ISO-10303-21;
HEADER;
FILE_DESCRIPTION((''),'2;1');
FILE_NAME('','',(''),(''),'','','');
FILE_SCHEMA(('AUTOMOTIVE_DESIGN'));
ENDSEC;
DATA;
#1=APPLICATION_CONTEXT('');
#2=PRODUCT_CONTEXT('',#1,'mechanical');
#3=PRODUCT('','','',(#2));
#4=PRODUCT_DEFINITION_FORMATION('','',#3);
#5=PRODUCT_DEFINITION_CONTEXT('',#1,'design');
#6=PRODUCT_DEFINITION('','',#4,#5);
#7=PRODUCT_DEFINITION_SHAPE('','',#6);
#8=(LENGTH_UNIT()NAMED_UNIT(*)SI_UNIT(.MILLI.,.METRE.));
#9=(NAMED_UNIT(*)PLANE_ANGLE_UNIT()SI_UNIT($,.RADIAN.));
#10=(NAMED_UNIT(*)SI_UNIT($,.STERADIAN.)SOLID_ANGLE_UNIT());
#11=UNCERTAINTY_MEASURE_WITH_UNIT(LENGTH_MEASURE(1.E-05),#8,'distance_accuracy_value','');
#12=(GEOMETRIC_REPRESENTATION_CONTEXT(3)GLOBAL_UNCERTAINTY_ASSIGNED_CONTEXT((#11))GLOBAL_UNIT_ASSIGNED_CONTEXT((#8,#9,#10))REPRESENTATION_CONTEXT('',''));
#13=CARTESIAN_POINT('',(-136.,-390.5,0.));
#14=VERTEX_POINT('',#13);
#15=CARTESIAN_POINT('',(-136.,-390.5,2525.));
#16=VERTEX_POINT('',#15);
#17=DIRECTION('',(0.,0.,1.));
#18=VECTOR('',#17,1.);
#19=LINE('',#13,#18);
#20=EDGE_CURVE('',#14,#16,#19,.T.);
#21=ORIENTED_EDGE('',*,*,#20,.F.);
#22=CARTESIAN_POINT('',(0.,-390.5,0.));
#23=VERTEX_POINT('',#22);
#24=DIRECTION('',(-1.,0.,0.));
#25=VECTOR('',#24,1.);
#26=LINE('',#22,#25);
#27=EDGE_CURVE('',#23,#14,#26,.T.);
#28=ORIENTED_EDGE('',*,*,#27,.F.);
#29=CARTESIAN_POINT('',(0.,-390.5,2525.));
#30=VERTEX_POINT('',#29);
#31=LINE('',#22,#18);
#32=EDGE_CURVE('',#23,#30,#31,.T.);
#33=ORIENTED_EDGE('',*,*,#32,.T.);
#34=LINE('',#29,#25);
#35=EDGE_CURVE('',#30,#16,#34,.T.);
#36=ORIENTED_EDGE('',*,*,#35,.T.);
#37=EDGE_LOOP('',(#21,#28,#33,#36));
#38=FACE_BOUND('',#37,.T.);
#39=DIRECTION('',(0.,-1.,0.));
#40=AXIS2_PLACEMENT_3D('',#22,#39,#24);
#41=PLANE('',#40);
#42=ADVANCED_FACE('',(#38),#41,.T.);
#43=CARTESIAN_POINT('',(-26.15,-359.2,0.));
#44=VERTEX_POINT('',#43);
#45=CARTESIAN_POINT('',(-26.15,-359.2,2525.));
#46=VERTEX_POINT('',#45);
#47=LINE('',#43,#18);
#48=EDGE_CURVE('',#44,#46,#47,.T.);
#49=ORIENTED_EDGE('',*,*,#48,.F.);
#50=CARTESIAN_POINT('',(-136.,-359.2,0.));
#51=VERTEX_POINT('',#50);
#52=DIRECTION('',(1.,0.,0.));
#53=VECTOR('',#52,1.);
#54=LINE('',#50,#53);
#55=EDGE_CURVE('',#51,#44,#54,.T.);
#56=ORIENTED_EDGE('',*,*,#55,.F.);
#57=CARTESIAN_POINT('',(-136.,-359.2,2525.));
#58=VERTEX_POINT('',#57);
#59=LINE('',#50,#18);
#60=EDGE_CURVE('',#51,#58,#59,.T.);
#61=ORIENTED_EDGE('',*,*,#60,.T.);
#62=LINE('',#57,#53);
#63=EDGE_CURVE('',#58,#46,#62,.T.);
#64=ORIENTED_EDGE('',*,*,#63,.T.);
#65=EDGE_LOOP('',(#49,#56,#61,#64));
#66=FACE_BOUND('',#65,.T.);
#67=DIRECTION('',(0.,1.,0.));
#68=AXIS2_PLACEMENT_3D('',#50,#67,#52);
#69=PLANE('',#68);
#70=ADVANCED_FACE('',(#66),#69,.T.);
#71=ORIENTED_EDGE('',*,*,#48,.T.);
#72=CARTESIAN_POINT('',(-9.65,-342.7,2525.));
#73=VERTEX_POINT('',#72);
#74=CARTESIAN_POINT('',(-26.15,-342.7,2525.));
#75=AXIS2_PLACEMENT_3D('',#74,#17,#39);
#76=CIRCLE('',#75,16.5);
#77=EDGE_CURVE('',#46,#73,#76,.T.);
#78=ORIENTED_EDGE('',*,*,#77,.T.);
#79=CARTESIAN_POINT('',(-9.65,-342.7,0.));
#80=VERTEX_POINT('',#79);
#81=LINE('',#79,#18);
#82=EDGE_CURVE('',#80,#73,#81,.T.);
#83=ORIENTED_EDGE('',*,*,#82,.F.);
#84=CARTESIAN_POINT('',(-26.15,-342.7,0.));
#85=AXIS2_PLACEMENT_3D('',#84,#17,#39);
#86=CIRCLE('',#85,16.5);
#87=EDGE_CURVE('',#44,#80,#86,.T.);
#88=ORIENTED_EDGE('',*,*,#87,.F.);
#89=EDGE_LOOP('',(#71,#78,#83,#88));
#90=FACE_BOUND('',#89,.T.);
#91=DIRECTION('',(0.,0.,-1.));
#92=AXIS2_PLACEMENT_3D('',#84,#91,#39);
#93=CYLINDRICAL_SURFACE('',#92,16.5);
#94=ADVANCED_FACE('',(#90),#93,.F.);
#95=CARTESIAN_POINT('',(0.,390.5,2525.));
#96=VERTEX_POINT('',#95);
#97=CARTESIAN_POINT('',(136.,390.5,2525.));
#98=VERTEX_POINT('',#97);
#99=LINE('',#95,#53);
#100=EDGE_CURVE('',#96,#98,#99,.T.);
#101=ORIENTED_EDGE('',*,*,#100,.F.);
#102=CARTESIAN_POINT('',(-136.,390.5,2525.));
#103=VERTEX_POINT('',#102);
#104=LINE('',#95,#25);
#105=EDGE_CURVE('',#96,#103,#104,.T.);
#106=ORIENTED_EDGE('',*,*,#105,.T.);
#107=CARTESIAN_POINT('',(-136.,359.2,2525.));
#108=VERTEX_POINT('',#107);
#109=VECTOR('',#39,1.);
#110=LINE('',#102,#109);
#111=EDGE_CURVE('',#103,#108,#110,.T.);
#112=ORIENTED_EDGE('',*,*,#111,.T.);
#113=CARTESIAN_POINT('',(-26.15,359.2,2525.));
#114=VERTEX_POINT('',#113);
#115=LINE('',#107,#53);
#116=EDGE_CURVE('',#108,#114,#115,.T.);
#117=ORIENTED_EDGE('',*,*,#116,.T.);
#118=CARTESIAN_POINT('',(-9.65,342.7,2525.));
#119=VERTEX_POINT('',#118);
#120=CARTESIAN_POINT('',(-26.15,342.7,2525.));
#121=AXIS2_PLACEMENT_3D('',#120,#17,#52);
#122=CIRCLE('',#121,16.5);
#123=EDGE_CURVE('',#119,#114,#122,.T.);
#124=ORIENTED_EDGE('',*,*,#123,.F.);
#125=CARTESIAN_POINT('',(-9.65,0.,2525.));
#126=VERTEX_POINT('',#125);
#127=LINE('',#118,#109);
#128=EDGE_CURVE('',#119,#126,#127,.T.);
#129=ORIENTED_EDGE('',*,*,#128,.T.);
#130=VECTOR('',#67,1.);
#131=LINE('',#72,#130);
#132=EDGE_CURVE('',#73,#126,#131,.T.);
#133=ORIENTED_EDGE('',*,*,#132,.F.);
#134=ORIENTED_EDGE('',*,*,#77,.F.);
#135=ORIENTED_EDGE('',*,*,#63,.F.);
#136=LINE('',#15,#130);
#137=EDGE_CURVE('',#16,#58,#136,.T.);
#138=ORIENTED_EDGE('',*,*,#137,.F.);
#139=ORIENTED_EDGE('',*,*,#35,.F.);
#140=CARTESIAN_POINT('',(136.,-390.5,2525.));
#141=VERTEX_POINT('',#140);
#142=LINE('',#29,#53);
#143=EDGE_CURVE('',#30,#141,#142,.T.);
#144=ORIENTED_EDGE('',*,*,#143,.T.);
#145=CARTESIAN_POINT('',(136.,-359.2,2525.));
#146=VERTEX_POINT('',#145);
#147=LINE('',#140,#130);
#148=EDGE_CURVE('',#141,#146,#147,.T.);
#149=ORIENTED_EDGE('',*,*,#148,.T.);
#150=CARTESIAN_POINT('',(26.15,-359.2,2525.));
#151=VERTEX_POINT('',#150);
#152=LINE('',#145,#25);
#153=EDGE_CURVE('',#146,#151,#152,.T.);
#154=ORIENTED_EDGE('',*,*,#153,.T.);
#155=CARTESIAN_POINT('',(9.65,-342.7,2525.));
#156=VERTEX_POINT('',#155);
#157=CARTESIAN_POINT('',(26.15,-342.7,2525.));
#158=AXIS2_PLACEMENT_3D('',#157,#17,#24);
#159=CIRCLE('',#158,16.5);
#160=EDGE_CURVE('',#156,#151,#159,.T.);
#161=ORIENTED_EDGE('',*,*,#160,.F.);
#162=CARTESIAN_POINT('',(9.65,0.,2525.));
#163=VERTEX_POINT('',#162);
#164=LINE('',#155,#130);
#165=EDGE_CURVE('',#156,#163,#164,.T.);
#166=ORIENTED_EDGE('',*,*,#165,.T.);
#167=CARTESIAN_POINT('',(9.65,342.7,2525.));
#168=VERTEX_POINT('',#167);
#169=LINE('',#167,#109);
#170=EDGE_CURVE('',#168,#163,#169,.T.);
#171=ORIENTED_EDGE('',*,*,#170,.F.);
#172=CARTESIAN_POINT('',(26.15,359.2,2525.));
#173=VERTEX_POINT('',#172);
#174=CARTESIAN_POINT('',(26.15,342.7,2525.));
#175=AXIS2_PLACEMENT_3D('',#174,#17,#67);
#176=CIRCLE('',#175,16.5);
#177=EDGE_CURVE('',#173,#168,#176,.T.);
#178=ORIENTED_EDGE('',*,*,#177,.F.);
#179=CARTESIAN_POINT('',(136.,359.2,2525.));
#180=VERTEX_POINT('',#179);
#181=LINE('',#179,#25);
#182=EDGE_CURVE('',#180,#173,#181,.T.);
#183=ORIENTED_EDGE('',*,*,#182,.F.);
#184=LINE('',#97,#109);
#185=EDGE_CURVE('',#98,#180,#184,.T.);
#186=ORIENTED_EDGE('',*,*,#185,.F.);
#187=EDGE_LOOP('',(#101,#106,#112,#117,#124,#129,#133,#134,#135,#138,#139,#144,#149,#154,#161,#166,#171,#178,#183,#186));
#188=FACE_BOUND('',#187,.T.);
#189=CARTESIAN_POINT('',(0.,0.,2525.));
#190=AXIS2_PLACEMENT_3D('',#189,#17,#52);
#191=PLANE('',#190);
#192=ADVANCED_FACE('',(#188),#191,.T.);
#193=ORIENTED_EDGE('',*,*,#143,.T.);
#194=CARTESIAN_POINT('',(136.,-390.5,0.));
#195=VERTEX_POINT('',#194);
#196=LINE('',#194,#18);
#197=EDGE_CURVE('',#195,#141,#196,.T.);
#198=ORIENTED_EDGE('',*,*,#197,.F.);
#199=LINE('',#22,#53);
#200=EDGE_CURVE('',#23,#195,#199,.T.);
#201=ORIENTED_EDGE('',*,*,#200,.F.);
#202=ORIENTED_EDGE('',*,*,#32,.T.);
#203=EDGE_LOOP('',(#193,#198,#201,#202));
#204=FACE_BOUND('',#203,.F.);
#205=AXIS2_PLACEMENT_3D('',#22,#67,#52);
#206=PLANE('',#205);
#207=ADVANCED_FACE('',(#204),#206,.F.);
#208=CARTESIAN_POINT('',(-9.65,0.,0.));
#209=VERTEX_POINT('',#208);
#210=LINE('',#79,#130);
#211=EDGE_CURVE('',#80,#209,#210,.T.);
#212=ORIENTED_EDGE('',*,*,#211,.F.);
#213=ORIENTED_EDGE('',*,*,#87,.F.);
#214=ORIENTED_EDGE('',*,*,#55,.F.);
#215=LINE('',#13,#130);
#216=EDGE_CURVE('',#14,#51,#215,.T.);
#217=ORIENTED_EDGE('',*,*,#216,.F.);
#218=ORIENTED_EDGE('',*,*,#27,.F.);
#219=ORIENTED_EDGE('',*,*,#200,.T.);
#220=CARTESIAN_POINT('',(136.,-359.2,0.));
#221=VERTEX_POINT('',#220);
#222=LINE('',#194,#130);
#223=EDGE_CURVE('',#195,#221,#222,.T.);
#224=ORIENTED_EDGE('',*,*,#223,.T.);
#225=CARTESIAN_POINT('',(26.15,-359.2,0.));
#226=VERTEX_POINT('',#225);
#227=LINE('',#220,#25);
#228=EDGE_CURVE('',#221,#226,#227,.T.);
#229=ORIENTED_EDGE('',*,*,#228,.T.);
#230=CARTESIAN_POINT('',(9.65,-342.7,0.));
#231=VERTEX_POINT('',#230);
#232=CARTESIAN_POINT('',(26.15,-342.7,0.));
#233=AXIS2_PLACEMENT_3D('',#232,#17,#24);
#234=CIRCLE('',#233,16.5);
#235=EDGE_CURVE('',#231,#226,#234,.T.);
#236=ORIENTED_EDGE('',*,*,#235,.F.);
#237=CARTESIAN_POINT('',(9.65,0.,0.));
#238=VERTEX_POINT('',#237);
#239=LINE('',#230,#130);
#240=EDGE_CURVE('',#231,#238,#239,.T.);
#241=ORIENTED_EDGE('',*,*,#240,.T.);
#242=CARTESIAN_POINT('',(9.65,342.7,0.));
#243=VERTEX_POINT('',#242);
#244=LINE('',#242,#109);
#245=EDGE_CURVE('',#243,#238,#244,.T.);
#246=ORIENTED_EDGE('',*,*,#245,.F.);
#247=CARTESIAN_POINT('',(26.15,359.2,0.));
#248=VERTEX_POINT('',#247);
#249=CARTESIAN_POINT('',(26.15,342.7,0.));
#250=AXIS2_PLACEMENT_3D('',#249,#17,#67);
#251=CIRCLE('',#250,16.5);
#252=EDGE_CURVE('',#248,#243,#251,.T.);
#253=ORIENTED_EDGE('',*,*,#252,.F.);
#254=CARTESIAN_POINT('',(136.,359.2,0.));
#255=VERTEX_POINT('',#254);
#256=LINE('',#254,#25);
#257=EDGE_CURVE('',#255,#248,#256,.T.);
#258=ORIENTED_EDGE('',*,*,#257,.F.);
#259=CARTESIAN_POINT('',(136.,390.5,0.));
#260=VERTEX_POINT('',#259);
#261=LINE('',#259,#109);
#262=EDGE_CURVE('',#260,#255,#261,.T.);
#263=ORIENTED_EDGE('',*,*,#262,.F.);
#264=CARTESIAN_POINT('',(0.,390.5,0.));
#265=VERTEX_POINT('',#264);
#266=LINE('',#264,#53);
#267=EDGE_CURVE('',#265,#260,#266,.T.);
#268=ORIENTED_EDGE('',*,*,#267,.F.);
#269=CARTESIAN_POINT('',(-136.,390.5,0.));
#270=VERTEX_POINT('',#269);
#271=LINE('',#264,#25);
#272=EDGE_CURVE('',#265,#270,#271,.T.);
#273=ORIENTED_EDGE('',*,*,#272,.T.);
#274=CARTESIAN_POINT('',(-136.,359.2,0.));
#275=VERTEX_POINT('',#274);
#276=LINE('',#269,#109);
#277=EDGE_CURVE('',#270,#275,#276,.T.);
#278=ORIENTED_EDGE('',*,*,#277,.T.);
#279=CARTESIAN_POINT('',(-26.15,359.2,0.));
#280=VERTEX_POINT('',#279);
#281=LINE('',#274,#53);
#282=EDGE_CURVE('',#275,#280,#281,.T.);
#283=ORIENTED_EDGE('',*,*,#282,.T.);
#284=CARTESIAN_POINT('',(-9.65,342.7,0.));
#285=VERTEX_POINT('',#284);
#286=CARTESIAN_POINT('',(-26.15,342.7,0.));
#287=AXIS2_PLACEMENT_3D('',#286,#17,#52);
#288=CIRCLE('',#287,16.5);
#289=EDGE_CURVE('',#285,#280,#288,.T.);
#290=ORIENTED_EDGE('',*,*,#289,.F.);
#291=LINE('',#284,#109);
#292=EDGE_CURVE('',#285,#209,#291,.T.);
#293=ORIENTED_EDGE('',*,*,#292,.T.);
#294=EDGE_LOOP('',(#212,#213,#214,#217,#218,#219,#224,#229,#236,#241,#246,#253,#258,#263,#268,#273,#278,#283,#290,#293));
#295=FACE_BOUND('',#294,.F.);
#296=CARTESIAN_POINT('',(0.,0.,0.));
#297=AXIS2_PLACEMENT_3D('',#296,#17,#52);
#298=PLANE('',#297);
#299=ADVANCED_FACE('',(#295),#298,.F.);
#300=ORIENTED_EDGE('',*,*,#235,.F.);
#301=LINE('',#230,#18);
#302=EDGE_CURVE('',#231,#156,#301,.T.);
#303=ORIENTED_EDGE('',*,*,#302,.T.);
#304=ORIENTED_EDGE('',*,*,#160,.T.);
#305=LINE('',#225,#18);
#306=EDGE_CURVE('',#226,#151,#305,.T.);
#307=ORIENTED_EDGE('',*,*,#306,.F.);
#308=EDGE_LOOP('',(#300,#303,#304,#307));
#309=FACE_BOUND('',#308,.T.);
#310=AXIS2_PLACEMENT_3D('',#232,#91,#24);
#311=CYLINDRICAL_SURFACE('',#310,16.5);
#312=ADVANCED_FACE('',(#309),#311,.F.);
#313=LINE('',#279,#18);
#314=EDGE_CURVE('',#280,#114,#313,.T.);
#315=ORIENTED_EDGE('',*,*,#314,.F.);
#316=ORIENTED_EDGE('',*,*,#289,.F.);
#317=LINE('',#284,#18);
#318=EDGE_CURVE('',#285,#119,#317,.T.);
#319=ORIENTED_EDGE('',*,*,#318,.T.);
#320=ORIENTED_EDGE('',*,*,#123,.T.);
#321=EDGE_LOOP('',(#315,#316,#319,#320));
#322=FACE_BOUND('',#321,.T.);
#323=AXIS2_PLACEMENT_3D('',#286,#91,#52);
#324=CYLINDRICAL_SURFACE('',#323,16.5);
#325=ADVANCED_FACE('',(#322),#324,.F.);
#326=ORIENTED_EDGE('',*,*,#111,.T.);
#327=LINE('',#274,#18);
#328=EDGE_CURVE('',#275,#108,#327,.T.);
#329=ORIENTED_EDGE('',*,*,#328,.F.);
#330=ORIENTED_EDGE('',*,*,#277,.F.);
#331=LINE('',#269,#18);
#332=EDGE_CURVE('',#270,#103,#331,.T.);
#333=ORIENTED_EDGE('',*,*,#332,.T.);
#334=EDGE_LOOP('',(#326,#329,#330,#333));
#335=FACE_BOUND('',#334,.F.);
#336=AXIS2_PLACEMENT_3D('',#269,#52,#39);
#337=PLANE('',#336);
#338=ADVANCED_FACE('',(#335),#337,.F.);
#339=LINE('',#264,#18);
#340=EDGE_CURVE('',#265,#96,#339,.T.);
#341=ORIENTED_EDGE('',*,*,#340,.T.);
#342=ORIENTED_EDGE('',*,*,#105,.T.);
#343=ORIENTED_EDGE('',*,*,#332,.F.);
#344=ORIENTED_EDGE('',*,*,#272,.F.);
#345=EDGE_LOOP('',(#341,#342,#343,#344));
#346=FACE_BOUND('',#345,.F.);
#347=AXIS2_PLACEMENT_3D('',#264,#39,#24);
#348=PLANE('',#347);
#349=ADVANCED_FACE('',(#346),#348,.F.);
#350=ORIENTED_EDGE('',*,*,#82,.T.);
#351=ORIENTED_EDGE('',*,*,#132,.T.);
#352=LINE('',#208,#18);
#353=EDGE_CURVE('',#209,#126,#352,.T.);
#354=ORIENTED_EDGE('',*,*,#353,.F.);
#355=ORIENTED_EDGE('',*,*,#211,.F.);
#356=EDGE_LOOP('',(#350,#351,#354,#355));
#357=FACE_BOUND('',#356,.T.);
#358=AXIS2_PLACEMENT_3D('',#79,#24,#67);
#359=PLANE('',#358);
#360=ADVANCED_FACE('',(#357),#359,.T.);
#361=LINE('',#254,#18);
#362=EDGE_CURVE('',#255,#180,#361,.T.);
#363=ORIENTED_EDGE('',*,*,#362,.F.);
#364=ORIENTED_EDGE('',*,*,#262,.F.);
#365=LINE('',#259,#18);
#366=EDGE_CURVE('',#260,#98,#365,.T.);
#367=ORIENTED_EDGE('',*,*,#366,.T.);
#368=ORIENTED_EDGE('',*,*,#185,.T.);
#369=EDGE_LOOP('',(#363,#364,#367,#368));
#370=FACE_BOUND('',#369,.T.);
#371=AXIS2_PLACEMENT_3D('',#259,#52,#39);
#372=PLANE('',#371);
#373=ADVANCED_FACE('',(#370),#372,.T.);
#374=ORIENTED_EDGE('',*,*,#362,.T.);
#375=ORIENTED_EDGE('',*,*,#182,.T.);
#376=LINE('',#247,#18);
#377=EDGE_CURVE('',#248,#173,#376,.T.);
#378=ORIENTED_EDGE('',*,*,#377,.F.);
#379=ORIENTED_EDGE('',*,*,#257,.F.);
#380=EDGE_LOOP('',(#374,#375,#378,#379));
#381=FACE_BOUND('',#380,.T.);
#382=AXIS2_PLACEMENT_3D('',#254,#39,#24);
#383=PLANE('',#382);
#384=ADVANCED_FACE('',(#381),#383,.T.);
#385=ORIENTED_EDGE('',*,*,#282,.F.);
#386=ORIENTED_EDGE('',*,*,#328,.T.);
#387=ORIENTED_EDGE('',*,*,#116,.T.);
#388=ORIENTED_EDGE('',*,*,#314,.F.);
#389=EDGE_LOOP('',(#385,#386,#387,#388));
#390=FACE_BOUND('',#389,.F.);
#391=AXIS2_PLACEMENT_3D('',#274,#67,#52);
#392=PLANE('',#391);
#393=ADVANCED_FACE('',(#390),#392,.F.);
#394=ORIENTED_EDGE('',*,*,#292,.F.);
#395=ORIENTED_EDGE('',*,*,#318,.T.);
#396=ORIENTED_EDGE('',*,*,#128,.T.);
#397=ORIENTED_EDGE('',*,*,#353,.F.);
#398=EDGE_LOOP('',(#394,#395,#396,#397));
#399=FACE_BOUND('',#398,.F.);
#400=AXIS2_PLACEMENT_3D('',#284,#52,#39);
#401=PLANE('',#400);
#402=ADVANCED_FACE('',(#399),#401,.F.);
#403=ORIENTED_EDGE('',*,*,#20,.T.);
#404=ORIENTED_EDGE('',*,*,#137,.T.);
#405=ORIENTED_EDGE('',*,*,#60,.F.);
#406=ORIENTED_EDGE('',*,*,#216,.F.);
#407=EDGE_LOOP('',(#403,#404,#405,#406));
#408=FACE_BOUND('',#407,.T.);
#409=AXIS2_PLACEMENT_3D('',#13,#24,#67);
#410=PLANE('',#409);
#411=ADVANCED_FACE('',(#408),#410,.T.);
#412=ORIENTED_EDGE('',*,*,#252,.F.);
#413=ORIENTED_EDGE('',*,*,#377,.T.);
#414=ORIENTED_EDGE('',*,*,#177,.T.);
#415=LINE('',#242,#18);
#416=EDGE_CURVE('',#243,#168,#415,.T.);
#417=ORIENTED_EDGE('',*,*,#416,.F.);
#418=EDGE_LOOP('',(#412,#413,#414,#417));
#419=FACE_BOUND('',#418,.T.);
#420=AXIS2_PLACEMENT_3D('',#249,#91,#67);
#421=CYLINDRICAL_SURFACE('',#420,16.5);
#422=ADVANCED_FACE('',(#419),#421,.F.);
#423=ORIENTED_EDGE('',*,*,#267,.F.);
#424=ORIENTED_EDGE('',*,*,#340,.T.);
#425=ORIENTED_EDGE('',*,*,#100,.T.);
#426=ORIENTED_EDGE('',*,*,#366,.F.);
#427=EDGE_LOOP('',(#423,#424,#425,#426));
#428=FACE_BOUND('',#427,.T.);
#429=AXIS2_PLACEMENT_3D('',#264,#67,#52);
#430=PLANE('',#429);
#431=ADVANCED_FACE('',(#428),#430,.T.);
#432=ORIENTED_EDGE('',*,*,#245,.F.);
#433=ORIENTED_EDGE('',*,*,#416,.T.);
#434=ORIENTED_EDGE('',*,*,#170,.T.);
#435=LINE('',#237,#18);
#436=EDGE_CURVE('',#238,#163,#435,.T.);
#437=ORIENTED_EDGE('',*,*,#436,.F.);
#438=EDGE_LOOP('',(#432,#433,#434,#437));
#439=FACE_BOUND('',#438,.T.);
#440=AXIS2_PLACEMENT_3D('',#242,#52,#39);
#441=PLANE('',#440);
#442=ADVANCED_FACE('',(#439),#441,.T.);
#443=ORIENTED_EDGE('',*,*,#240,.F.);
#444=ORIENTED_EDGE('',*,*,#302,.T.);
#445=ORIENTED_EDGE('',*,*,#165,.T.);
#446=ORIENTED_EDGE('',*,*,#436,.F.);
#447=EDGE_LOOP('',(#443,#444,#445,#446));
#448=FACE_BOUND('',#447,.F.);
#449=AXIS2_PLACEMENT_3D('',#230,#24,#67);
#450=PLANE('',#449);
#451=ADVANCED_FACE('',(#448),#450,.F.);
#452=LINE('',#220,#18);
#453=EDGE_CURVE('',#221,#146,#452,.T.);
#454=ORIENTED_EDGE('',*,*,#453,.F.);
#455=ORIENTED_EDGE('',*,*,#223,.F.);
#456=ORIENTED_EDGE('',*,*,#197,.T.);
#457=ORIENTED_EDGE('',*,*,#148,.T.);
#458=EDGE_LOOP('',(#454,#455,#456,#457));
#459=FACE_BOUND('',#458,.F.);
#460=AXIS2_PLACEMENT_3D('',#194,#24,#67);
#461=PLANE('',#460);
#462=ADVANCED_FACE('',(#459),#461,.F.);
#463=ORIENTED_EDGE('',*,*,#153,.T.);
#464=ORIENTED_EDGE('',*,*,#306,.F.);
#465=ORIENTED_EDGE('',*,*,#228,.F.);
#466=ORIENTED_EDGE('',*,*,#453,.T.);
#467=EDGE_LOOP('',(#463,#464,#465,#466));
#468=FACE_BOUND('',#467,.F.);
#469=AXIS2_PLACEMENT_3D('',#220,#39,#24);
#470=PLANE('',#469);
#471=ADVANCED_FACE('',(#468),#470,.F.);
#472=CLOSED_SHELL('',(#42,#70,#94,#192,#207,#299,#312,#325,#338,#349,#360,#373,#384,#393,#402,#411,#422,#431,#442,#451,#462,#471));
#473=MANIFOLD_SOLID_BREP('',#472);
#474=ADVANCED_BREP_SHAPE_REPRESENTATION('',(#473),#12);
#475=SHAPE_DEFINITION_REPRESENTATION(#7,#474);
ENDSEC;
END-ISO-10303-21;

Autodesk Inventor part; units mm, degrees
ref_plane "YZ Plane" through (0, 0, 0) normal (1, 0, 0) x (0, 1, 0)
ref_plane "Start plane" through (0, 0, 0) normal (0, 0, 1) x (1, 0, 0)
ref_plane "End plane" through (0, 0, 2525) normal (0, 0, 1) x (1, 0, 0)
sketch "Sketch" plane through (0, 0, 0) normal (0, 0, 1) x (1, 0, 0)
  line L0 (-136, -390.5) -> (-136, -359.2)
  line L1 (-136, -359.2) -> (-26.15, -359.2)
  line L2 (-9.65, -342.7) -> (-9.65, 0)
  line L3 (-9.65, 0) -> (0, 0) construction
  line L4 (0, 0) -> (0, -390.5) construction
  line L5 (0, -390.5) -> (-136, -390.5)
  line L6 (-60, 0) -> (80, 0) construction
  line L7 (0, -60) -> (0, 80) construction
  line L8 (136, -390.5) -> (136, -359.2)
  line L9 (136, -359.2) -> (26.15, -359.2)
  line L10 (9.65, -342.7) -> (9.65, 0)
  line L11 (9.65, 0) -> (0, 0) construction
  line L12 (0, -390.5) -> (136, -390.5)
  line L13 (-136, 390.5) -> (-136, 359.2)
  line L14 (-136, 359.2) -> (-26.15, 359.2)
  line L15 (-9.65, 342.7) -> (-9.65, 0)
  line L16 (0, 390.5) -> (-136, 390.5)
  line L17 (136, 390.5) -> (136, 359.2)
  line L18 (136, 359.2) -> (26.15, 359.2)
  line L19 (0, 390.5) -> (136, 390.5)
  line L20 (9.65, 342.7) -> (9.65, 0)
  arc A0 (-9.65, 342.7) -> (-26.15, 359.2) centre (-26.15, 342.7) ccw
  arc A1 (26.15, 359.2) -> (9.65, 342.7) centre (26.15, 342.7) ccw
  arc A2 (9.65, -342.7) -> (26.15, -359.2) centre (26.15, -342.7) ccw
  arc A3 (-26.15, -359.2) -> (-9.65, -342.7) centre (-26.15, -342.7) ccw
  line L21 (0, 108) -> (0, -88) construction
  line L22 (-88, 0) -> (108, 0) construction
  point P0 (-9.65, -359.2)
  point P1 (9.65, -359.2)
  point P2 (-9.65, 359.2)
  point P3 (9.65, 359.2)
  dimension "d1" = 390.5
  dimension "d2" = 31.3
  dimension "d3" = 136
  dimension "d4" = 9.65
  dimension "d10" = 16.5
extrude "Body" add sketch "Sketch" along normal up to surface (2525 mm away) from surface at 0
sketch "Sketch4" plane through (0, 0, 0) normal (0, 0, 1) x (1, 0, 0)
  line L0 (0, 0) -> (10, 0)
ref_plane "Work Plane3" through (0, 0, 0) normal (0, -1, 0) x (1, 0, 0)
sketch "Sketch5" plane through (0, 0, 0) normal (0, -1, 0) x (1, 0, 0)
  line L0 (-2, 0) -> (12, 0) projected
  line L1 (-2, 2525) -> (12, 2525) projected
  dimension "d14" = 2525
equation "\"d1\" = 0.5 * G_H"
equation "\"d2\" = G_T1"
equation "\"d3\" = 0.5 * G_W"
equation "\"d4\" = 0.5 * G_T"
equation "\"d10\" = G_IR"
equation "\"d5\" = G_L"
equation "\"G_W\" = 272"
equation "\"G_H\" = 781"
equation "\"G_T\" = 19.3"
equation "\"G_T1\" = 31.3"
equation "\"G_IR\" = 16.5"
equation "\"G_L\" = d14"
equation "\"G_OFFSET_START\" = 0"
equation "\"G_OFFSET_END\" = 0"
equation "\"d12\" = G_OFFSET_END + B_L"
equation "\"B_L\" = 2525"
properties part number "AS 3679-1990 - 760 UB - 244 - 2525" material "Steel, Mild"
